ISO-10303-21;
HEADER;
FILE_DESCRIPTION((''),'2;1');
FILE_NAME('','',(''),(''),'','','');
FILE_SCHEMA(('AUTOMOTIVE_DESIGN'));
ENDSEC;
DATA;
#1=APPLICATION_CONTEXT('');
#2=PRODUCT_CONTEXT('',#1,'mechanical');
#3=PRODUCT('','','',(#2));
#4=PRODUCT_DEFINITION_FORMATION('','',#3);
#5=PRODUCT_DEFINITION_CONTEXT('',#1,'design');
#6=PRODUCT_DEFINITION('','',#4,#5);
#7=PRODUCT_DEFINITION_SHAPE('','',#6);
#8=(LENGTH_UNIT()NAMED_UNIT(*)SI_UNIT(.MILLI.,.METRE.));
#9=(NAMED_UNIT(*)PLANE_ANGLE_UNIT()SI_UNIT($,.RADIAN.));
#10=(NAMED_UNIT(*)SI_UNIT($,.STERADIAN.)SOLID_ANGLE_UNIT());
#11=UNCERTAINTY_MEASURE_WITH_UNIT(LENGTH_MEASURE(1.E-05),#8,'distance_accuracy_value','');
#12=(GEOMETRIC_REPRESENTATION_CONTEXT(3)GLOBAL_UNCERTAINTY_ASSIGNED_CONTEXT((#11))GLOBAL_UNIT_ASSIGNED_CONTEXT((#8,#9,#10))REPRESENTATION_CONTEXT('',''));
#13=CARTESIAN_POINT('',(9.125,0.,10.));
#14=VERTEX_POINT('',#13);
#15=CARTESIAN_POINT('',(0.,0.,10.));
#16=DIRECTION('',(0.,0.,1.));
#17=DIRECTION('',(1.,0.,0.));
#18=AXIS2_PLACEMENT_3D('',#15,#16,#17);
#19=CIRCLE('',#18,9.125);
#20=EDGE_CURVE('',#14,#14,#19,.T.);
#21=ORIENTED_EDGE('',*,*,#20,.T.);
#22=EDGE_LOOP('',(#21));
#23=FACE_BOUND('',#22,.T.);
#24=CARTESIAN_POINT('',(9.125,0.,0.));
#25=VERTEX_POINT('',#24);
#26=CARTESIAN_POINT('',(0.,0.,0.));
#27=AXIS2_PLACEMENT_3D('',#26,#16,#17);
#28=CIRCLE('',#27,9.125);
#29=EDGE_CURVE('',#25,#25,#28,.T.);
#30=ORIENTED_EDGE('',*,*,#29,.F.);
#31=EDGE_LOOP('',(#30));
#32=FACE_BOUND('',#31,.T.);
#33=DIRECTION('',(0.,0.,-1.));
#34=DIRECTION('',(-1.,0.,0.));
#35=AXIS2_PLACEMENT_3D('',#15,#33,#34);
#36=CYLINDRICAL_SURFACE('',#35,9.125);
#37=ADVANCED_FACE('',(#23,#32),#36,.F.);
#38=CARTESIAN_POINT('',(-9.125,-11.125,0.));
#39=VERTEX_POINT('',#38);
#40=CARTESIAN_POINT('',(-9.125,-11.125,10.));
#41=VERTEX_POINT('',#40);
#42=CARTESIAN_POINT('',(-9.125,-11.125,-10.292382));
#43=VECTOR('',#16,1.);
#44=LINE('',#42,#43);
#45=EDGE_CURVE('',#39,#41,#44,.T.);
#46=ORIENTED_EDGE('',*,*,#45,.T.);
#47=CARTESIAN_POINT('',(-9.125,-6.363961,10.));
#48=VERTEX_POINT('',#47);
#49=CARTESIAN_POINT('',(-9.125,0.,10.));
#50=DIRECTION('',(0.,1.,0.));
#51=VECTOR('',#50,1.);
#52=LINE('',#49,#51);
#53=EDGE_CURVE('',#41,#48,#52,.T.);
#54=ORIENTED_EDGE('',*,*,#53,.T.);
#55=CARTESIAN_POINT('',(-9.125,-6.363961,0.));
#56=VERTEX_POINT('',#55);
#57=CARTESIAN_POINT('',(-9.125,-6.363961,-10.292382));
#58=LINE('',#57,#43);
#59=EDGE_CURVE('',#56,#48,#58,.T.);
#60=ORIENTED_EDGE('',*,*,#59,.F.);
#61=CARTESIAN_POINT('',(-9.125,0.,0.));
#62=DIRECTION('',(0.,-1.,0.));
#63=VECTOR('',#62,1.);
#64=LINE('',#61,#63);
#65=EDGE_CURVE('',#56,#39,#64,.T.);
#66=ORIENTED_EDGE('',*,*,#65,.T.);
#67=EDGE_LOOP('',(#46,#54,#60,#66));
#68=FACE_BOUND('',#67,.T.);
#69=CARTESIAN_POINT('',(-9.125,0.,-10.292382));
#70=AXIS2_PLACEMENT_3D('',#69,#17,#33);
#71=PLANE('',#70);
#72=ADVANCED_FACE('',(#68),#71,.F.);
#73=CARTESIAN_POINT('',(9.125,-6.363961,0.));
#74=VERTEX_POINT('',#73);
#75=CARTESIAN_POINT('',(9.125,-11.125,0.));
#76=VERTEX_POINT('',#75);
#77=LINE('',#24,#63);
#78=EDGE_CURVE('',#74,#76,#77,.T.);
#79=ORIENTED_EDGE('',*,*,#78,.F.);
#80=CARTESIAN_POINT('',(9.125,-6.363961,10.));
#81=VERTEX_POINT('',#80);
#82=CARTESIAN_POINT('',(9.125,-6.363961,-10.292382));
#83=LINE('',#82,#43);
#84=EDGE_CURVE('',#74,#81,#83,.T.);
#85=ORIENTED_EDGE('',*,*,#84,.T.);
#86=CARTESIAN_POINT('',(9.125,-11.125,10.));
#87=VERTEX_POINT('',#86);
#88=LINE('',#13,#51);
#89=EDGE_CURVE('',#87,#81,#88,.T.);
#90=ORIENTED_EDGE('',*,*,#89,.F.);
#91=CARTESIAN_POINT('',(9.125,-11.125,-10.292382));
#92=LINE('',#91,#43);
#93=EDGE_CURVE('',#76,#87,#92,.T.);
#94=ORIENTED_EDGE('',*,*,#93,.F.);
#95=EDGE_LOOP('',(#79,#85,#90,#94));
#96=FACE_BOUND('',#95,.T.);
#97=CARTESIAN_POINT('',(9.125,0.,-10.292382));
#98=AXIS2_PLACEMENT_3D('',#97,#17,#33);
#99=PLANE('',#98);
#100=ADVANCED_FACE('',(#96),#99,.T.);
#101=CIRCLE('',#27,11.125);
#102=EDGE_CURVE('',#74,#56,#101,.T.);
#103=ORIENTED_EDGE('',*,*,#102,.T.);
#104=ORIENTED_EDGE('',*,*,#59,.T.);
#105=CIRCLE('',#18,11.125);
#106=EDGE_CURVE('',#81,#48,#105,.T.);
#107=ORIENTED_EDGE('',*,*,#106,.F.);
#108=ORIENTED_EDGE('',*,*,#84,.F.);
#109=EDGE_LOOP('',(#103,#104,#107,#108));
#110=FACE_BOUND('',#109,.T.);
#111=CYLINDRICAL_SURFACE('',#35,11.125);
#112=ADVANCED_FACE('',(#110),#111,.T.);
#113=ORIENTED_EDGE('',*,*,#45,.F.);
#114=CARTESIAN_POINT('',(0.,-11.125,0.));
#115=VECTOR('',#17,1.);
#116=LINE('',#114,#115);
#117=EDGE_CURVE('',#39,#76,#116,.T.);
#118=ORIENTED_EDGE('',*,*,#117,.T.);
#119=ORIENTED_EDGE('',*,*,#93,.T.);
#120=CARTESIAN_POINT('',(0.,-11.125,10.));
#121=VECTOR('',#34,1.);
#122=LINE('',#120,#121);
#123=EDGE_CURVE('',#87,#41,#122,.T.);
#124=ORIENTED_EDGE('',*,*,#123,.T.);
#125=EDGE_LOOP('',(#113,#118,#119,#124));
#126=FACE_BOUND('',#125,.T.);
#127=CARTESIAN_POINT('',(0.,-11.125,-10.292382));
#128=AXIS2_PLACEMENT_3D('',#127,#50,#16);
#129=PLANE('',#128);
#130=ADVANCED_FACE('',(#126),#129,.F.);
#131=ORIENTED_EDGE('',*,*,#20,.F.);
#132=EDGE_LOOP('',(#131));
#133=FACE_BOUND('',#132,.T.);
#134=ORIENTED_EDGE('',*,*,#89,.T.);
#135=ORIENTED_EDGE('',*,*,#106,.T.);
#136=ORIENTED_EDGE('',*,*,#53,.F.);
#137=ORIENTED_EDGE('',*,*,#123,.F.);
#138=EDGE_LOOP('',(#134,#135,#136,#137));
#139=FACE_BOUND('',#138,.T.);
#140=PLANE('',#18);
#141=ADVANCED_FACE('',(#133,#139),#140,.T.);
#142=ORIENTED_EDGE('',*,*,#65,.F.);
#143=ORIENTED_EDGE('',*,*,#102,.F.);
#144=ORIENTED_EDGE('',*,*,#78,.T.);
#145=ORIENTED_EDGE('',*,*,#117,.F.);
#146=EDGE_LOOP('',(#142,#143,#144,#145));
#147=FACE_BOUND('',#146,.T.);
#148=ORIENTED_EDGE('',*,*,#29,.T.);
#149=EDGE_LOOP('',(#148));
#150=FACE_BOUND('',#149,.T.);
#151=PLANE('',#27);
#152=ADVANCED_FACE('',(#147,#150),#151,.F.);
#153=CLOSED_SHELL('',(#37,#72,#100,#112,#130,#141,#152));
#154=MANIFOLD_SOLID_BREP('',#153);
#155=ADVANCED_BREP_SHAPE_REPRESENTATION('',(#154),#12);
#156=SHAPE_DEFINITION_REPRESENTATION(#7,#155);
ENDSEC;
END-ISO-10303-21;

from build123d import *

# Parameters (mm, degrees)
SKETCH1_R           = 11.125
SKETCH1_R_2         = 9.125
BOSS_EXTRUDE1_DEPTH = 10
BOSS_EXTRUDE2_START = -10
BOSS_EXTRUDE2_DEPTH = 10


with BuildPart() as part:
    # Sketch1 → Boss-Extrude1 (new body)
    with BuildSketch(Plane.XY):
        Circle(SKETCH1_R)
        Circle(SKETCH1_R_2, mode=Mode.SUBTRACT)
    extrude(amount=BOSS_EXTRUDE1_DEPTH)

    # Sketch2 → Boss-Extrude2 (add)
    with BuildSketch(Plane.XY.offset(10).offset(BOSS_EXTRUDE2_START)):
        with BuildLine():
            Line((-9.125, -9.125), (-6.363961031, -9.125))
            ThreePointArc((-6.363961031, -9.125), (-7.866562941, -7.866562941), (-9.125, -6.363961031))
            Line((-9.125, -6.363961031), (-9.125, -9.125))
        make_face()
        with BuildLine():
            Line((-9.125, -11.125), (0, -11.125))
            ThreePointArc((0, -11.125), (-3.335416016, -10.613228774), (-6.363961031, -9.125))
            Line((-6.363961031, -9.125), (-9.125, -9.125))
            Line((-9.125, -9.125), (-9.125, -11.125))
        make_face()
        with BuildLine():
            Line((0, -11.125), (9.125, -11.125))
            Line((9.125, -11.125), (9.125, -9.125))
            Line((9.125, -9.125), (6.363961031, -9.125))
            ThreePointArc((6.363961031, -9.125), (3.335416016, -10.613228774), (0, -11.125))
        make_face()
        with BuildLine():
            Line((6.363961031, -9.125), (9.125, -9.125))
            Line((9.125, -9.125), (9.125, -6.363961031))
            ThreePointArc((9.125, -6.363961031), (7.866562941, -7.866562941), (6.363961031, -9.125))
        make_face()
    extrude(amount=BOSS_EXTRUDE2_DEPTH)


solid = part.part
